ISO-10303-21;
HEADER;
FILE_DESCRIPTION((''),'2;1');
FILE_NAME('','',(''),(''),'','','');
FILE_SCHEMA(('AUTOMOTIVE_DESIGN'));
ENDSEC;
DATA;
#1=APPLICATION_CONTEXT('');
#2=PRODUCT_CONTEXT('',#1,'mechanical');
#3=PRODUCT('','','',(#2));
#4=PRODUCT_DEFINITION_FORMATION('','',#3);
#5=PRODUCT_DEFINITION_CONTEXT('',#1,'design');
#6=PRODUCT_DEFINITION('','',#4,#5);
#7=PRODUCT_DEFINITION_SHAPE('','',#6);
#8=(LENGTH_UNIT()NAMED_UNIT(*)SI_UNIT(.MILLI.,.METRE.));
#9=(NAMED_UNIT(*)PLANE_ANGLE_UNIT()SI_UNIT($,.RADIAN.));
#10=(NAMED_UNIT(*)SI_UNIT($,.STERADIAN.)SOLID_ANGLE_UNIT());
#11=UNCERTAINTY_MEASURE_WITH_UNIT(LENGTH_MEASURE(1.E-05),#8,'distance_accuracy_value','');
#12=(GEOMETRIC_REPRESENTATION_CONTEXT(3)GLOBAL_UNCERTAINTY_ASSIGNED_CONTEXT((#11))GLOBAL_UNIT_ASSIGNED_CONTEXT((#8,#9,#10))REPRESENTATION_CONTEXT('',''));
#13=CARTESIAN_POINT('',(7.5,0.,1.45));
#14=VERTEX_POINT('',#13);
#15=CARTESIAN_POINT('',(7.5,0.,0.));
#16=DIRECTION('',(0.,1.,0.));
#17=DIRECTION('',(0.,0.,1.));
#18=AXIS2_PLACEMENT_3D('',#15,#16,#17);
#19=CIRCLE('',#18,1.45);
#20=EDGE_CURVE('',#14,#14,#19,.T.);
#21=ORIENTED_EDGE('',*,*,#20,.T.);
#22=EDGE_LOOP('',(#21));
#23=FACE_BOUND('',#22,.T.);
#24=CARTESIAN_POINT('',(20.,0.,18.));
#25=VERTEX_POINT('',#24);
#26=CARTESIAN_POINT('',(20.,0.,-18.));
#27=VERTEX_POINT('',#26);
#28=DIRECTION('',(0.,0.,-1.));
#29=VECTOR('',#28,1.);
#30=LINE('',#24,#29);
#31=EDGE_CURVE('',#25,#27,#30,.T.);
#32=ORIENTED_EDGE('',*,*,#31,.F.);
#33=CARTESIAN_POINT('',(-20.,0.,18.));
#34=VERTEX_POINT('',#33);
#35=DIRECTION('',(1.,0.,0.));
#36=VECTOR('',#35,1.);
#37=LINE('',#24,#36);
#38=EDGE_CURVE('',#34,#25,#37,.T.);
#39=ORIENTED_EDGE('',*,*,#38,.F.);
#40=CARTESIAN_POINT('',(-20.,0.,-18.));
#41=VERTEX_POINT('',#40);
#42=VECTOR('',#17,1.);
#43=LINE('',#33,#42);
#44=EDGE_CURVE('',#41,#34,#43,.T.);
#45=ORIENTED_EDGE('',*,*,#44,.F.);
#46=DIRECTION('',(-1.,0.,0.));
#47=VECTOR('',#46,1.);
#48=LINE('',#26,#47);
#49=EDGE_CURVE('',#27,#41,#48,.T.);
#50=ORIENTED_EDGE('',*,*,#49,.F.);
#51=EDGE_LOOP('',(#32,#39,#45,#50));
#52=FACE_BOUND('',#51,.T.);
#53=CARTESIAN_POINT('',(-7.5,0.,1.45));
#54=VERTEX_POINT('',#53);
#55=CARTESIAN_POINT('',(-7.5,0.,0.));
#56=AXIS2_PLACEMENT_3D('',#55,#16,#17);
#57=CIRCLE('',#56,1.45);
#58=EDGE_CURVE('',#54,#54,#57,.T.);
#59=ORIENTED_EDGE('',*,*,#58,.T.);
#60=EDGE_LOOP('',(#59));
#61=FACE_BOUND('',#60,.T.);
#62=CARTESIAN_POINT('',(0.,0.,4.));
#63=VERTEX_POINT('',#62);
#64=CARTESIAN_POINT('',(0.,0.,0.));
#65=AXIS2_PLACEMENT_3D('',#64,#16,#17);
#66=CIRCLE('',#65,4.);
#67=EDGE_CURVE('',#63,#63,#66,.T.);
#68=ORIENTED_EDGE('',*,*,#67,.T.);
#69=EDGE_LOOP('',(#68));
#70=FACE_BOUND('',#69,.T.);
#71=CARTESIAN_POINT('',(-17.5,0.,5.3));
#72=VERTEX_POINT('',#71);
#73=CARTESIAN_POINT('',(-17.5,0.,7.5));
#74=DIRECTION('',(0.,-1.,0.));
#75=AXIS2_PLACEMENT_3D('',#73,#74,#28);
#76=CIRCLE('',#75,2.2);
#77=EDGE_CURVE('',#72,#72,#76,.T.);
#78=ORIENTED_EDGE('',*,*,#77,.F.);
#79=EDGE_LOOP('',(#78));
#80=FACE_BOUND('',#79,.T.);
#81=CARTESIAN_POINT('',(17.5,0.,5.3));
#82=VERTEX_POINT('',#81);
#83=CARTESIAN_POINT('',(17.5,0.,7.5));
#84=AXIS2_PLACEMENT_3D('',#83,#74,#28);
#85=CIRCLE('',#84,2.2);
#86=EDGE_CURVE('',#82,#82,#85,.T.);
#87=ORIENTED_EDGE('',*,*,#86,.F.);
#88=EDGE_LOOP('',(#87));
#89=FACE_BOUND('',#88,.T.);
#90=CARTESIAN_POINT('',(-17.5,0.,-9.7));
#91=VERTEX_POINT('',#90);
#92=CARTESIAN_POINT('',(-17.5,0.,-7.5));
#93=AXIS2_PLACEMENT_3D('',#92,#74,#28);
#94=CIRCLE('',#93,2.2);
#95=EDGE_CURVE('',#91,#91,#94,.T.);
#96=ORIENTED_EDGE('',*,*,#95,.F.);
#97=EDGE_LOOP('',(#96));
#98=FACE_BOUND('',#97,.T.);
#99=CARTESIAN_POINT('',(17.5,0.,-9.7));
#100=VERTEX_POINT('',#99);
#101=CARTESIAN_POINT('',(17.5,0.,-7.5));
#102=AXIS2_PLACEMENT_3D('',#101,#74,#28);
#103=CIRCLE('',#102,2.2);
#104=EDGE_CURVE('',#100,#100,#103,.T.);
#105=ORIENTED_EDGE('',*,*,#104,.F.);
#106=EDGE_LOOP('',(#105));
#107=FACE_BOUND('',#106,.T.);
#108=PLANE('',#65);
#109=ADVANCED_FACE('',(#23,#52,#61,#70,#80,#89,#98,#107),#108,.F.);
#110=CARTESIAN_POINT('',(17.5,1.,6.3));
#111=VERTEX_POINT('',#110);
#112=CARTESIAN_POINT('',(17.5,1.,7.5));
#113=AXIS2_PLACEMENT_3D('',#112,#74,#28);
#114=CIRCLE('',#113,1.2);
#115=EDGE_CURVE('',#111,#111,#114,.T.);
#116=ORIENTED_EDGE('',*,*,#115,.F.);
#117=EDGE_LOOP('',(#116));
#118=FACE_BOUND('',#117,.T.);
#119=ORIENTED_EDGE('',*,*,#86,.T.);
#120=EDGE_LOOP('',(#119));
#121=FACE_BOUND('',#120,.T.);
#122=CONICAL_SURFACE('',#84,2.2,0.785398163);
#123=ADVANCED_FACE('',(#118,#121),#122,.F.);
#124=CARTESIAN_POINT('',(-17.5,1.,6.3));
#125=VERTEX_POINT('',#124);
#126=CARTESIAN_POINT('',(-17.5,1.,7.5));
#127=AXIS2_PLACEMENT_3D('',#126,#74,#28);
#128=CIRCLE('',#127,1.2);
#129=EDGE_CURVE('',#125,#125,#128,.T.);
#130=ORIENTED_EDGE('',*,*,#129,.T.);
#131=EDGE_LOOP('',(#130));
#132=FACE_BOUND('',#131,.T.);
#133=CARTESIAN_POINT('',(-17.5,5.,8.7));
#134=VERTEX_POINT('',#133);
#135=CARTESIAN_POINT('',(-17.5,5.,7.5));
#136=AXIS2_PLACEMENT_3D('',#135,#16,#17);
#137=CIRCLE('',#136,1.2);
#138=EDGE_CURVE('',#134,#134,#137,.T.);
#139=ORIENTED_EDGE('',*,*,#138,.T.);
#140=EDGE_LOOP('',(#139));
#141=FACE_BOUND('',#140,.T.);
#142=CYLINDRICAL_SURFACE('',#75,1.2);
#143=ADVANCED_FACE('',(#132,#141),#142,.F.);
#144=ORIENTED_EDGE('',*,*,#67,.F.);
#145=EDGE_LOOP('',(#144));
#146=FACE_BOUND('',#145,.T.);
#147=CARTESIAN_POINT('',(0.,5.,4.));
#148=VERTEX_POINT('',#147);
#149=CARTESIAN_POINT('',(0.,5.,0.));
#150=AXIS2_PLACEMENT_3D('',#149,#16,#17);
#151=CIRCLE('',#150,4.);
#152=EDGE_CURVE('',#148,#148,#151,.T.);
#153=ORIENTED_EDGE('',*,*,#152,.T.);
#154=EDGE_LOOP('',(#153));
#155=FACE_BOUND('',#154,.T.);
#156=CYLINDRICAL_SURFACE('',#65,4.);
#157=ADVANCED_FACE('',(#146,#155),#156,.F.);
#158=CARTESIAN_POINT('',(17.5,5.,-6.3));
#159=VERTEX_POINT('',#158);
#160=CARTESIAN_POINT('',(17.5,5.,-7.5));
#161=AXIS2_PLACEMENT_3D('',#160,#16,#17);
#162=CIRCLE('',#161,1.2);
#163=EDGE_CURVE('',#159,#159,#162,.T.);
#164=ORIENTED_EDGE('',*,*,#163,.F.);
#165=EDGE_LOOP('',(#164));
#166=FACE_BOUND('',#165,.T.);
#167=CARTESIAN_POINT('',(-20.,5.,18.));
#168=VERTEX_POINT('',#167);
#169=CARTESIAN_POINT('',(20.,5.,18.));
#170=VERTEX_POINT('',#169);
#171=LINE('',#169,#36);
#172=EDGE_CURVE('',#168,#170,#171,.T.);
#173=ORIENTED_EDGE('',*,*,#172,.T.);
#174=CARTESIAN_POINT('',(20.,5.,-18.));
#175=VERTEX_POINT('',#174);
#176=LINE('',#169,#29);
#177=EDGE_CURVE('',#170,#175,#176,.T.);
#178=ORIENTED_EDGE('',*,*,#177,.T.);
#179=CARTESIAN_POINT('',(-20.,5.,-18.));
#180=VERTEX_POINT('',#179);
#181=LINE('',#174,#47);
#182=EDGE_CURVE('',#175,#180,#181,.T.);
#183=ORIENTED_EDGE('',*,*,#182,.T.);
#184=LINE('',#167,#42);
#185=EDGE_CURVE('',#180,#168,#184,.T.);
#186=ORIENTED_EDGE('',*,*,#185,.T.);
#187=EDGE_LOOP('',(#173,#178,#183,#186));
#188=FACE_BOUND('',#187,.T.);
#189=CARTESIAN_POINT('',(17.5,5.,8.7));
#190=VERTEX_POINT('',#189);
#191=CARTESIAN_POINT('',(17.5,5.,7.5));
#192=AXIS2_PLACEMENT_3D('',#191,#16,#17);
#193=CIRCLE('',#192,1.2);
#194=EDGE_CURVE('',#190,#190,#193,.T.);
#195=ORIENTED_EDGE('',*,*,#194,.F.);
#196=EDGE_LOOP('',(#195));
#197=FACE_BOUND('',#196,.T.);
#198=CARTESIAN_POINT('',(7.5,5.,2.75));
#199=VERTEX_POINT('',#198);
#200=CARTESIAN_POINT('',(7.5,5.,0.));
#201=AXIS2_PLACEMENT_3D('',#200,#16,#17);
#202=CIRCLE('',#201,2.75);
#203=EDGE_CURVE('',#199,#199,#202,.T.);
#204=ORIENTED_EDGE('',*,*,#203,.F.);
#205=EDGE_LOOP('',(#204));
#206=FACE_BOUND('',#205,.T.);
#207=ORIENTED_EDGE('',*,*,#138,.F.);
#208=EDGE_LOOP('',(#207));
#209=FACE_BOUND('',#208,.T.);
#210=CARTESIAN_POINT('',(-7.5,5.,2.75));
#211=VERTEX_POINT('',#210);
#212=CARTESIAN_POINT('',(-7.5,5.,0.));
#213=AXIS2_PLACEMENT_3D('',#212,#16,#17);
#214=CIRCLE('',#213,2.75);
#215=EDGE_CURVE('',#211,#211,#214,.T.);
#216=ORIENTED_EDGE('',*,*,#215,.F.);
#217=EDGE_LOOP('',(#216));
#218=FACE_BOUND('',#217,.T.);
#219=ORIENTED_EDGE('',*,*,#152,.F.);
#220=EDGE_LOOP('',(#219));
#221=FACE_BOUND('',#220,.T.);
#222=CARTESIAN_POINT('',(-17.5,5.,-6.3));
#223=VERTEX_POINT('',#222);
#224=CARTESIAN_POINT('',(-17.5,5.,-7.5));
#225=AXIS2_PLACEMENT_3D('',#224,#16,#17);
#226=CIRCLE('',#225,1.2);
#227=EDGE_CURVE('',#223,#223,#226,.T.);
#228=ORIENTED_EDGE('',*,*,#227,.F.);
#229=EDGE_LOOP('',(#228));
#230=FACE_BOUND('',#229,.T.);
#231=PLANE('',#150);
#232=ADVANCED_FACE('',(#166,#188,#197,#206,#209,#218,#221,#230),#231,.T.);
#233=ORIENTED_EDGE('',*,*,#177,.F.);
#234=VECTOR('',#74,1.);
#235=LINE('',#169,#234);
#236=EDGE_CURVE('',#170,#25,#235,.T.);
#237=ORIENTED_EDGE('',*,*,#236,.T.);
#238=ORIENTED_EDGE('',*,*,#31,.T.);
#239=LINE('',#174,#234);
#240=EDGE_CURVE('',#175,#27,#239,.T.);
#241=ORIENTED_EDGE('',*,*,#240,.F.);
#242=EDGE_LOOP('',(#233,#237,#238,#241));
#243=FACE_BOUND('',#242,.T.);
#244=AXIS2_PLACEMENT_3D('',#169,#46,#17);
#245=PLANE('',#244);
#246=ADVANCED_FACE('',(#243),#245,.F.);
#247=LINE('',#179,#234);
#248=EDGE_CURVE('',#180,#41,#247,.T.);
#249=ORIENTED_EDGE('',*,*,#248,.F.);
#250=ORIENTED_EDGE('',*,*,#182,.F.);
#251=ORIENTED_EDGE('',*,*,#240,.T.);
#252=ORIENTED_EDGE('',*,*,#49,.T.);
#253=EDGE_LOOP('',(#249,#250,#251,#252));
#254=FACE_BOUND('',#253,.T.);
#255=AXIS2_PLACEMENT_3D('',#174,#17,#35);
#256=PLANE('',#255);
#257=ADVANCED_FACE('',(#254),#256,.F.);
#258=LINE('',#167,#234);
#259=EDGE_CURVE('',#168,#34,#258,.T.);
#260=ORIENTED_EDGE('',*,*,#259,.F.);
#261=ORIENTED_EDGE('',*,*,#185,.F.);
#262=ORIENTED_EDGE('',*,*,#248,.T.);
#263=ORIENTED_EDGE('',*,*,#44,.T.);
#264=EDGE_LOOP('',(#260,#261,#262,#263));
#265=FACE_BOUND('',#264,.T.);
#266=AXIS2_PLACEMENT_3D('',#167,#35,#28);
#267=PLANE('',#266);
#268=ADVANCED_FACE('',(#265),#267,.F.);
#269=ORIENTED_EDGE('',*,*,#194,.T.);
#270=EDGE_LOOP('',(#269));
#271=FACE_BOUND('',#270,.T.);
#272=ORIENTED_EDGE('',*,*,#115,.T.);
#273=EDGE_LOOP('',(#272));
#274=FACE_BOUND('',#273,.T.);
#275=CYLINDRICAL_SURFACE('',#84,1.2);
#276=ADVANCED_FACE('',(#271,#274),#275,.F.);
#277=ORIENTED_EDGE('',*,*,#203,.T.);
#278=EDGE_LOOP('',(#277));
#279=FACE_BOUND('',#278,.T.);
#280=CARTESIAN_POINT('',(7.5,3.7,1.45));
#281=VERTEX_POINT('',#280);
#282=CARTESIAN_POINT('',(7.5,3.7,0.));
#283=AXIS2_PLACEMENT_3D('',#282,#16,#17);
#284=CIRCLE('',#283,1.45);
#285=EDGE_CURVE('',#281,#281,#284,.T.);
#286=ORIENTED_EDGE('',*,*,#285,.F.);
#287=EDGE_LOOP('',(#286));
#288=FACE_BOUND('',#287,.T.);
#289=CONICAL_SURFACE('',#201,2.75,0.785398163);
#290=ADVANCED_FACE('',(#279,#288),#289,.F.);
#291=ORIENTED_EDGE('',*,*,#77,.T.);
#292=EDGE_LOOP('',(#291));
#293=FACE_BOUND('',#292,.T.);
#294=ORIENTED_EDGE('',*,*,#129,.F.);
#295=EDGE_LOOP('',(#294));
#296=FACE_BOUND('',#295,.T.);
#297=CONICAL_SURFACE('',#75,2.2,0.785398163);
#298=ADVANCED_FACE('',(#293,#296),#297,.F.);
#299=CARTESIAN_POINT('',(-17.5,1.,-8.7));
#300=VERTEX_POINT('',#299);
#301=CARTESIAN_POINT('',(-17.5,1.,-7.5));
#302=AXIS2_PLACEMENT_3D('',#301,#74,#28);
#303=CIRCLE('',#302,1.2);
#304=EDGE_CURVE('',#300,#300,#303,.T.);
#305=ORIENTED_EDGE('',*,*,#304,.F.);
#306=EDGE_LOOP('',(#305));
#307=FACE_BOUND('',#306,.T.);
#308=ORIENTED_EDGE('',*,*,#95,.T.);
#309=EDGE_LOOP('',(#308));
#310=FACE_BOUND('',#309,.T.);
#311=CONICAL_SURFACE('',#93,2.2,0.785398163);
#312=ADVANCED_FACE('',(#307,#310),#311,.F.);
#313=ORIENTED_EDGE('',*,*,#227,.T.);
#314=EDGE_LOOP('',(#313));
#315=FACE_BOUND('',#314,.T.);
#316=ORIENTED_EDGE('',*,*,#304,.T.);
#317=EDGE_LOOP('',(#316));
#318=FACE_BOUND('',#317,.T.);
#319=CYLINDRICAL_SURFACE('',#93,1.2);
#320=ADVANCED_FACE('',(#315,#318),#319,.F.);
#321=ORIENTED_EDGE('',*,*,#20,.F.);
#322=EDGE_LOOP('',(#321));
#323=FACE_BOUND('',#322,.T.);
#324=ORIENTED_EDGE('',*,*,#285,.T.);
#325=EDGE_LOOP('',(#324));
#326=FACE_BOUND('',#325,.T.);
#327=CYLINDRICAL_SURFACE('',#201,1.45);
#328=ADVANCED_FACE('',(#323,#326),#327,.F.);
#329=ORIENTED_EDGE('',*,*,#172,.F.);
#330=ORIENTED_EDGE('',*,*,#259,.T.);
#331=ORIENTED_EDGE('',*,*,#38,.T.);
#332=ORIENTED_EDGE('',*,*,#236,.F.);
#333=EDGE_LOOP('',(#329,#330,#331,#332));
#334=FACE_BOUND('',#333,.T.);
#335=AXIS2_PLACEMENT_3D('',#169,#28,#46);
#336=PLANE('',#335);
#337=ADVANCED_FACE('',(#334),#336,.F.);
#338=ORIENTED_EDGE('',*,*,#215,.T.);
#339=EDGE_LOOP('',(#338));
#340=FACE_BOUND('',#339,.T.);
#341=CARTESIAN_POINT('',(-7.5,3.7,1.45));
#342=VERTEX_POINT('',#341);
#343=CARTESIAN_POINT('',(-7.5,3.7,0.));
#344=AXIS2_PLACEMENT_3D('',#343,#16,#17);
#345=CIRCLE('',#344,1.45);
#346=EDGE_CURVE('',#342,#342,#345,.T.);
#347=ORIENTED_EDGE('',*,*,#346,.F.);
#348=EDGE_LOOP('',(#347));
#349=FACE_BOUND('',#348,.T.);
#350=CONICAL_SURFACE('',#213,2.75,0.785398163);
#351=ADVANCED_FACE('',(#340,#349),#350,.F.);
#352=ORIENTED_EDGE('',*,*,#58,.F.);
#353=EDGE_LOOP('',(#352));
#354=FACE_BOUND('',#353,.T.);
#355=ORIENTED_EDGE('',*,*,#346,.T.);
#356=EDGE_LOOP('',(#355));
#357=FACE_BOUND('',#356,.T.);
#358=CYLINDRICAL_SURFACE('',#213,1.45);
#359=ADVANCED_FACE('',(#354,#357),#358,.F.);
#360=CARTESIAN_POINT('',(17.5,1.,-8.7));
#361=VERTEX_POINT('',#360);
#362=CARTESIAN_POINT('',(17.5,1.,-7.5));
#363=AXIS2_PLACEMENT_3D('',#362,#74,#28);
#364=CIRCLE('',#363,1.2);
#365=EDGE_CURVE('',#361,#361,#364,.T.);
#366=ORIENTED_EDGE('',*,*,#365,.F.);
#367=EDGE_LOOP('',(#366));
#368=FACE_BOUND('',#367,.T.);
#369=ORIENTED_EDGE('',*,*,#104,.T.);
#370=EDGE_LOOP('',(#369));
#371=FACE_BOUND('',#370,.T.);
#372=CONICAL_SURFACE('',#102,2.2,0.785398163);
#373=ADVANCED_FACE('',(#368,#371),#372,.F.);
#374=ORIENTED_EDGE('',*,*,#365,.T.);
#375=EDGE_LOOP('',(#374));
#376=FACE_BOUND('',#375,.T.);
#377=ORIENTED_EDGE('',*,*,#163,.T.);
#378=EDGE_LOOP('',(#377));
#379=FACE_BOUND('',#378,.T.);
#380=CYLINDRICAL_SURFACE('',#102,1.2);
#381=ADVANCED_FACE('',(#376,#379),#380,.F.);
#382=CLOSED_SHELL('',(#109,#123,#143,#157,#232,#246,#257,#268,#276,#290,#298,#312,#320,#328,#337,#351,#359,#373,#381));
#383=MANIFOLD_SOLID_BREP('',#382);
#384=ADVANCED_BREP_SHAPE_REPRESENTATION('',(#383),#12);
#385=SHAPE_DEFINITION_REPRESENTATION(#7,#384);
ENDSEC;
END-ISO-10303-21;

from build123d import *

# Parameters (mm, degrees)
SKETCH1_W                                            = 40
SKETCH1_H                                            = 36
BOSS_EXTRUDE1_DEPTH                                  = 5
SKETCH2_R                                            = 4
CUT_EXTRUDE1_DEPTH                                   = 28.367864367
CSK_FOR_M2_5_COUNTERSUNK_FLAT_HEAD_SCREW_D           = 2.9
CSK_FOR_M2_5_COUNTERSUNK_FLAT_HEAD_SCREW_CSINK_D     = 5.5
CSK_FOR_M2_5_COUNTERSUNK_FLAT_HEAD_SCREW_CSINK_ANGLE = 90
CSK_FOR_M2_COUNTERSUNK_FLAT_HEAD_SCREW1_D            = 2.4
CSK_FOR_M2_COUNTERSUNK_FLAT_HEAD_SCREW1_CSINK_D      = 4.4
CSK_FOR_M2_COUNTERSUNK_FLAT_HEAD_SCREW1_CSINK_ANGLE  = 90


with BuildPart() as part:
    # Sketch1 → Boss-Extrude1 (new body)
    with BuildSketch(Plane(origin=(0, 0, 0), x_dir=(1, 0, 0), z_dir=(0, 1, 0))):
        Rectangle(SKETCH1_W, SKETCH1_H)
    extrude(amount=BOSS_EXTRUDE1_DEPTH)

    # Sketch2 → Cut-Extrude1 (cut, through all)
    with BuildSketch(Plane(origin=(0, 5, 0), x_dir=(1, 0, 0), z_dir=(0, 1, 0))):
        with Locations(Location((0, 0, 0), (0, 0, 270))):
            Circle(SKETCH2_R)
    extrude(amount=-CUT_EXTRUDE1_DEPTH, mode=Mode.SUBTRACT)

    # CSK for M2.5 Countersunk Flat Head Screw1 (through all)
    with Locations(Plane(origin=(0, 5, 0), x_dir=(1, 0, 0), z_dir=(0, 1, 0))):
        with Locations((-7.5, 0), (7.5, 0)):
            CounterSinkHole(CSK_FOR_M2_5_COUNTERSUNK_FLAT_HEAD_SCREW_D / 2, CSK_FOR_M2_5_COUNTERSUNK_FLAT_HEAD_SCREW_CSINK_D / 2, counter_sink_angle=CSK_FOR_M2_5_COUNTERSUNK_FLAT_HEAD_SCREW_CSINK_ANGLE)

    # CSK for M2 Countersunk Flat Head Screw1 (through all)
    with Locations(Plane(origin=(0, 0, 0), x_dir=(-1, 0, 0), z_dir=(0, -1, 0))):
        with Locations((17.5, -7.5), (17.5, 7.5), (-17.5, 7.5), (-17.5, -7.5)):
            CounterSinkHole(CSK_FOR_M2_COUNTERSUNK_FLAT_HEAD_SCREW1_D / 2, CSK_FOR_M2_COUNTERSUNK_FLAT_HEAD_SCREW1_CSINK_D / 2, counter_sink_angle=CSK_FOR_M2_COUNTERSUNK_FLAT_HEAD_SCREW1_CSINK_ANGLE)


solid = part.part
